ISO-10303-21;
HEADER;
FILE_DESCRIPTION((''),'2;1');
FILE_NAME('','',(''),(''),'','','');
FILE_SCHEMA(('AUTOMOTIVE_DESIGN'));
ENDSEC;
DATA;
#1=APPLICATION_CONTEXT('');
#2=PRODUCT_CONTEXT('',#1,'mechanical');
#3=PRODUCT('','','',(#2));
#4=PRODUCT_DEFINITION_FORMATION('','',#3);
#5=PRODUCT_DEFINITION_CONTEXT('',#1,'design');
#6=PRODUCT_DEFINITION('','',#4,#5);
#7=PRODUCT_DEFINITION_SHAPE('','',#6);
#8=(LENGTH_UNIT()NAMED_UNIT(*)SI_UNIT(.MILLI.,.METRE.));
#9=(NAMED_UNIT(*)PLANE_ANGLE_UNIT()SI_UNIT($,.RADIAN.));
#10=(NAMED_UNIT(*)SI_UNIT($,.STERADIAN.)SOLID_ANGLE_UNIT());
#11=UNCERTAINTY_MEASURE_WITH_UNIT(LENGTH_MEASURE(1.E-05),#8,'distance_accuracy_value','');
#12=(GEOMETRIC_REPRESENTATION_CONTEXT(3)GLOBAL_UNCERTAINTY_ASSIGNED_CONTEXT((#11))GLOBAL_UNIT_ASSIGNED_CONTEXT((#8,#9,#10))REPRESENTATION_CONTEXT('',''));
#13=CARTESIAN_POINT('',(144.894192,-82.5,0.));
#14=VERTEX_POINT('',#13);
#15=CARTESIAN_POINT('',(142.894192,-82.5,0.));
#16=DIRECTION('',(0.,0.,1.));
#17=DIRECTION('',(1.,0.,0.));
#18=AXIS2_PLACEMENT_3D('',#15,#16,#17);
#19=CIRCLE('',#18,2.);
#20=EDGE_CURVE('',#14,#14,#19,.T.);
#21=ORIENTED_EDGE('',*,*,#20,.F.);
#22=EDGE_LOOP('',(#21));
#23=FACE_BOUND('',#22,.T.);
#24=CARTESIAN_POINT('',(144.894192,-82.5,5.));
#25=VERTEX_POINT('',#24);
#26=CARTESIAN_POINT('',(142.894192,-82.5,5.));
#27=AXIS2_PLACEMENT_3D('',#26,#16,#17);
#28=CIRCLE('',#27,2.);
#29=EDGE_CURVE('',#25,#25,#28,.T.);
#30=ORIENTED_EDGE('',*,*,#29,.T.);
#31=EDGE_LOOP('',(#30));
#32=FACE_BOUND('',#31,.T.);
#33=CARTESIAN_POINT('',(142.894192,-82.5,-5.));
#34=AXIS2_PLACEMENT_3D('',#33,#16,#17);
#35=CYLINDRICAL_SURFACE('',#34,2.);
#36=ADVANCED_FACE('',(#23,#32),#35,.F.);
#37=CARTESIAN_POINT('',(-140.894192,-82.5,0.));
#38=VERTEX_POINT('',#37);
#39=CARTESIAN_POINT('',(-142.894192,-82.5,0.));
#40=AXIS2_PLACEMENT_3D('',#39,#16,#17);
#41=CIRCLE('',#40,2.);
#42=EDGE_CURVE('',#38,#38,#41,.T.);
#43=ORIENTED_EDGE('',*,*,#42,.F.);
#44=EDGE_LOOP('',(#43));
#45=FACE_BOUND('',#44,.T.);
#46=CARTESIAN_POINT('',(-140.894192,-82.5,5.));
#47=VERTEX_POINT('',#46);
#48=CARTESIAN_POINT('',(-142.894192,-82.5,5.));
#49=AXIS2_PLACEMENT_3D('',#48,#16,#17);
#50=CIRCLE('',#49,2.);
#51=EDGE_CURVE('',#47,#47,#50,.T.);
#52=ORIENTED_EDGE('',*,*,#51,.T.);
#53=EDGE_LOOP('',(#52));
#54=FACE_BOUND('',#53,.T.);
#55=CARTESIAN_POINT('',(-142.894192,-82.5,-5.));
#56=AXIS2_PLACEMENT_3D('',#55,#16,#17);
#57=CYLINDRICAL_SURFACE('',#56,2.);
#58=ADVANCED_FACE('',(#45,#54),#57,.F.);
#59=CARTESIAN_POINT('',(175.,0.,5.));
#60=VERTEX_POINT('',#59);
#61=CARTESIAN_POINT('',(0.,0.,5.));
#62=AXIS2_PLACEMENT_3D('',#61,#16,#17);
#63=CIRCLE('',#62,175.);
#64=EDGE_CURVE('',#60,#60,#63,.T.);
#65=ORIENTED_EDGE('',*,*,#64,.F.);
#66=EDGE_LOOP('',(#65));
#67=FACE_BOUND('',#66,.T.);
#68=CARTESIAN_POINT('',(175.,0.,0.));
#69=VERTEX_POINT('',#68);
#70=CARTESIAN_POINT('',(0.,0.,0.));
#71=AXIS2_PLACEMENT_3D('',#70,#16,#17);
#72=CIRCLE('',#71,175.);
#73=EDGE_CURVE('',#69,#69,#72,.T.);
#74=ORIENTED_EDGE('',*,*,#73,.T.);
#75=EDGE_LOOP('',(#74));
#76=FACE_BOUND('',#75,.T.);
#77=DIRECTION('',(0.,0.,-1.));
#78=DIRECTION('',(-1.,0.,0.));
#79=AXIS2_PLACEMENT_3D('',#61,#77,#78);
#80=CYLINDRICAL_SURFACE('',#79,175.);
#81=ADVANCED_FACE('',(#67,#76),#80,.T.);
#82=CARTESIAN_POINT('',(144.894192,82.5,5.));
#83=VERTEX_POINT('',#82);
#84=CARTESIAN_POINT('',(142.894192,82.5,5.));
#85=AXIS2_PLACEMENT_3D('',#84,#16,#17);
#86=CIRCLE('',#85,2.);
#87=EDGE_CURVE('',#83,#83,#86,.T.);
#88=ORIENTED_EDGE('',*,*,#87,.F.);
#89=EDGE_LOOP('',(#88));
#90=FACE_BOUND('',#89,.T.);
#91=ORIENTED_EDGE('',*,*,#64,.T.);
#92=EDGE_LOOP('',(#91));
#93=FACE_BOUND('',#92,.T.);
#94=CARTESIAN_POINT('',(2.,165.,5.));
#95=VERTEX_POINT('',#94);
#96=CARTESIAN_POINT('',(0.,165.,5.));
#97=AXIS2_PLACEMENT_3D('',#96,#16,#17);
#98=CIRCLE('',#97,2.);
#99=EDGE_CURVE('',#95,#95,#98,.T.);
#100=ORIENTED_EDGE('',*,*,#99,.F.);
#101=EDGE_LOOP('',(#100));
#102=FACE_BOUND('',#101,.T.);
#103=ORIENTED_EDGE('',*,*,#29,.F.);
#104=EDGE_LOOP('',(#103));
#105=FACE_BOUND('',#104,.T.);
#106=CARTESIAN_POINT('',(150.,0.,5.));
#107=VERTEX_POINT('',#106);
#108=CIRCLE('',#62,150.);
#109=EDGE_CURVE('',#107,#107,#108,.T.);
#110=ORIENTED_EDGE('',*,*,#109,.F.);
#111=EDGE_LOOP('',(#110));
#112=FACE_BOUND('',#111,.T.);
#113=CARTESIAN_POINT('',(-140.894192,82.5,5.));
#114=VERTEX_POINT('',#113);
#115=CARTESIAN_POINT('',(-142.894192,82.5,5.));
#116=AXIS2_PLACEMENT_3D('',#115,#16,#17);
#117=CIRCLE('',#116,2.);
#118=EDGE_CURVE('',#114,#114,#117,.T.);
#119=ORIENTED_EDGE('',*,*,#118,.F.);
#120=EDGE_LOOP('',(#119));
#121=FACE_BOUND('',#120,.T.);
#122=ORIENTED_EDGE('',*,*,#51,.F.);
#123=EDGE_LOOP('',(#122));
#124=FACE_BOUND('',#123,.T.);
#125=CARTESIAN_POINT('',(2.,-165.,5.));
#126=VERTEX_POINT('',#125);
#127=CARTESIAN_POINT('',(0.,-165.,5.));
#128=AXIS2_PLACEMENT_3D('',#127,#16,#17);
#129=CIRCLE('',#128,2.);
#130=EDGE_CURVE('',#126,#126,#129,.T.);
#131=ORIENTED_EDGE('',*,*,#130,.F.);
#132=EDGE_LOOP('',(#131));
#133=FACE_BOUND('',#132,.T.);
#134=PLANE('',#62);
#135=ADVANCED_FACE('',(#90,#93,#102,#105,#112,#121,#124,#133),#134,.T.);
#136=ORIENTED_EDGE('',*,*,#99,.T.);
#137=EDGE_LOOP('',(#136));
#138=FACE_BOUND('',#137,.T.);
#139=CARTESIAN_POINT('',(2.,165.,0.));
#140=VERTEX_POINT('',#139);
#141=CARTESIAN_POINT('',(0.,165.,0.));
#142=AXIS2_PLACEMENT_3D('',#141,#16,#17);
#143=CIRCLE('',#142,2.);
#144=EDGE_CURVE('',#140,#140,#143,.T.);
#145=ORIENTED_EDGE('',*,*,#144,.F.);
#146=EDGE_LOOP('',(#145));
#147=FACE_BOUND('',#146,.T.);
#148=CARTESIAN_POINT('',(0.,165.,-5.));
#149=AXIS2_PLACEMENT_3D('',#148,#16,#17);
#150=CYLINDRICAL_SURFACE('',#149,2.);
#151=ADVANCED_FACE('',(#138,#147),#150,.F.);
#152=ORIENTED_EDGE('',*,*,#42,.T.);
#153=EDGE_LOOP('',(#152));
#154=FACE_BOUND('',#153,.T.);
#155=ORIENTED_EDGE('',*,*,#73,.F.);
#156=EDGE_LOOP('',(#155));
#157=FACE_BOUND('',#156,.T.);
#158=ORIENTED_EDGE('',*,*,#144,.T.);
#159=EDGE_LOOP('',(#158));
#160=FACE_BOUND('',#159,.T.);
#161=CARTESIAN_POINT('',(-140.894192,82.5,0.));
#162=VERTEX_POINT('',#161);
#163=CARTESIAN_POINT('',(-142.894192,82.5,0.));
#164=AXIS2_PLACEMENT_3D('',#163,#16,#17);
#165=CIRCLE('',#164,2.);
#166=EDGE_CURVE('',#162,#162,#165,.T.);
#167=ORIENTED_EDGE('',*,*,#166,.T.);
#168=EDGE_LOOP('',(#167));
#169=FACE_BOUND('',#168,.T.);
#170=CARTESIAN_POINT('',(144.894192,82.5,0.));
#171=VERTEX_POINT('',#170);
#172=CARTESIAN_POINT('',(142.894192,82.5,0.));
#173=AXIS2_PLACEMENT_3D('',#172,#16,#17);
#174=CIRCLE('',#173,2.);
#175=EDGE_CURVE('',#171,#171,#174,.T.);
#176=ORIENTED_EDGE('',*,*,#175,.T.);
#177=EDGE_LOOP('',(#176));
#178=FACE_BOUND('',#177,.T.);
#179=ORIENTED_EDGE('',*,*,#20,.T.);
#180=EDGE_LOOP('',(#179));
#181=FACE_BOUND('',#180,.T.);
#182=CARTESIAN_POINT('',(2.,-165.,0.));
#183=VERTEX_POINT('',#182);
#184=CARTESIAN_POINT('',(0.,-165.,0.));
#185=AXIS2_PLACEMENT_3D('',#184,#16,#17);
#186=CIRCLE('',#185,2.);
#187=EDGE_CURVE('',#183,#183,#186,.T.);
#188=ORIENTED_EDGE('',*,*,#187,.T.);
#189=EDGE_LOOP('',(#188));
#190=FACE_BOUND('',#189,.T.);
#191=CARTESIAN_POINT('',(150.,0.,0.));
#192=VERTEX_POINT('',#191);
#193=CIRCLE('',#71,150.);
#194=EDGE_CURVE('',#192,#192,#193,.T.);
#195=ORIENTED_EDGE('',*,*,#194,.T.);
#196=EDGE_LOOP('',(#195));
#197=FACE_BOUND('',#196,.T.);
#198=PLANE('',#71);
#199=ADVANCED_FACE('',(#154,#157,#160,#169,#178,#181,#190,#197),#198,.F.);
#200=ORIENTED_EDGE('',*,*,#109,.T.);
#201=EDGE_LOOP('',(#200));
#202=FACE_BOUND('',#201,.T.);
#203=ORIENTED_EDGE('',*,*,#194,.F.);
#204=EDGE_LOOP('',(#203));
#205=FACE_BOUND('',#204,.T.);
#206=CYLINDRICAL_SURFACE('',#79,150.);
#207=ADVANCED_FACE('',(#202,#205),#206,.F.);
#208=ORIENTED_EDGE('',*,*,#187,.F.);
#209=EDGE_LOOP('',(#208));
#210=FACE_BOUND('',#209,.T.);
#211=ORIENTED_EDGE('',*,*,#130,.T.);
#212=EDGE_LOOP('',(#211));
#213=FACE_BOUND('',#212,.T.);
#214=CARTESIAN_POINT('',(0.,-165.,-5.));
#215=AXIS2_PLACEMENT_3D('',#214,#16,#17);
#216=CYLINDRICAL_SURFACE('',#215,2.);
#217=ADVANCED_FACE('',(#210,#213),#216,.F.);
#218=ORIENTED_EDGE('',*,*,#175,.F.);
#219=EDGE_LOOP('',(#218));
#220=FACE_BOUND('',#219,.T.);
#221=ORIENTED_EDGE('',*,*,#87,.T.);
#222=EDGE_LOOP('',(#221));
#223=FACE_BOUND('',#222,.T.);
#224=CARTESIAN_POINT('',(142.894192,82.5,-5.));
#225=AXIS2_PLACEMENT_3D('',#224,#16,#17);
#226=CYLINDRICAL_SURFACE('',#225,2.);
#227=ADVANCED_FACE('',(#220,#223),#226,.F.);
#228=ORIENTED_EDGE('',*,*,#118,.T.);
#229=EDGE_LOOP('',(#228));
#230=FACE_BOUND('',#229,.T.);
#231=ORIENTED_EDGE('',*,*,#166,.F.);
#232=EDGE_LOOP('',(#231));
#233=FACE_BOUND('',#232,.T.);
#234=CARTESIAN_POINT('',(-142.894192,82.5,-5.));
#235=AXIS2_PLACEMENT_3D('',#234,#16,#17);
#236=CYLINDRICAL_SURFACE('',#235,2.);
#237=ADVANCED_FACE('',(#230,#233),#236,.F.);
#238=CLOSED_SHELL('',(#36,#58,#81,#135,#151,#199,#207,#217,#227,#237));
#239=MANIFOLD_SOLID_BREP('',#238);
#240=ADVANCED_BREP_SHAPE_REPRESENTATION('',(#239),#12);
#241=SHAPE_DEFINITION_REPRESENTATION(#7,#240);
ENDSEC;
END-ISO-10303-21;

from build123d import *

# Parameters (mm, degrees)
ESQUISSE1_R             = 175
ESQUISSE1_R_2           = 150
BOSS_EXTRU_1_DEPTH      = 5
ESQUISSE2_R             = 2
ENL_V_MAT_EXTRU_1_DEPTH = 10


with BuildPart() as part:
    # Esquisse1 → Boss.-Extru.1 (new body)
    with BuildSketch(Plane.XY):
        Circle(ESQUISSE1_R)
        Circle(ESQUISSE1_R_2, mode=Mode.SUBTRACT)
    extrude(amount=BOSS_EXTRU_1_DEPTH)

    # Esquisse2 → Enlèv. mat.-Extru.1 (cut)
    with BuildSketch(Plane.XY.offset(5)):
        with Locations((0, 165)):
            Circle(ESQUISSE2_R)
        with Locations((142.894191624, 82.5)):
            Circle(ESQUISSE2_R)
        with Locations((142.894191624, -82.5)):
            Circle(ESQUISSE2_R)
        with Locations((0, -165)):
            Circle(ESQUISSE2_R)
        with Locations((-142.894191624, -82.5)):
            Circle(ESQUISSE2_R)
        with Locations((-142.894191624, 82.5)):
            Circle(ESQUISSE2_R)
    extrude(amount=-ENL_V_MAT_EXTRU_1_DEPTH, mode=Mode.SUBTRACT)


solid = part.part
